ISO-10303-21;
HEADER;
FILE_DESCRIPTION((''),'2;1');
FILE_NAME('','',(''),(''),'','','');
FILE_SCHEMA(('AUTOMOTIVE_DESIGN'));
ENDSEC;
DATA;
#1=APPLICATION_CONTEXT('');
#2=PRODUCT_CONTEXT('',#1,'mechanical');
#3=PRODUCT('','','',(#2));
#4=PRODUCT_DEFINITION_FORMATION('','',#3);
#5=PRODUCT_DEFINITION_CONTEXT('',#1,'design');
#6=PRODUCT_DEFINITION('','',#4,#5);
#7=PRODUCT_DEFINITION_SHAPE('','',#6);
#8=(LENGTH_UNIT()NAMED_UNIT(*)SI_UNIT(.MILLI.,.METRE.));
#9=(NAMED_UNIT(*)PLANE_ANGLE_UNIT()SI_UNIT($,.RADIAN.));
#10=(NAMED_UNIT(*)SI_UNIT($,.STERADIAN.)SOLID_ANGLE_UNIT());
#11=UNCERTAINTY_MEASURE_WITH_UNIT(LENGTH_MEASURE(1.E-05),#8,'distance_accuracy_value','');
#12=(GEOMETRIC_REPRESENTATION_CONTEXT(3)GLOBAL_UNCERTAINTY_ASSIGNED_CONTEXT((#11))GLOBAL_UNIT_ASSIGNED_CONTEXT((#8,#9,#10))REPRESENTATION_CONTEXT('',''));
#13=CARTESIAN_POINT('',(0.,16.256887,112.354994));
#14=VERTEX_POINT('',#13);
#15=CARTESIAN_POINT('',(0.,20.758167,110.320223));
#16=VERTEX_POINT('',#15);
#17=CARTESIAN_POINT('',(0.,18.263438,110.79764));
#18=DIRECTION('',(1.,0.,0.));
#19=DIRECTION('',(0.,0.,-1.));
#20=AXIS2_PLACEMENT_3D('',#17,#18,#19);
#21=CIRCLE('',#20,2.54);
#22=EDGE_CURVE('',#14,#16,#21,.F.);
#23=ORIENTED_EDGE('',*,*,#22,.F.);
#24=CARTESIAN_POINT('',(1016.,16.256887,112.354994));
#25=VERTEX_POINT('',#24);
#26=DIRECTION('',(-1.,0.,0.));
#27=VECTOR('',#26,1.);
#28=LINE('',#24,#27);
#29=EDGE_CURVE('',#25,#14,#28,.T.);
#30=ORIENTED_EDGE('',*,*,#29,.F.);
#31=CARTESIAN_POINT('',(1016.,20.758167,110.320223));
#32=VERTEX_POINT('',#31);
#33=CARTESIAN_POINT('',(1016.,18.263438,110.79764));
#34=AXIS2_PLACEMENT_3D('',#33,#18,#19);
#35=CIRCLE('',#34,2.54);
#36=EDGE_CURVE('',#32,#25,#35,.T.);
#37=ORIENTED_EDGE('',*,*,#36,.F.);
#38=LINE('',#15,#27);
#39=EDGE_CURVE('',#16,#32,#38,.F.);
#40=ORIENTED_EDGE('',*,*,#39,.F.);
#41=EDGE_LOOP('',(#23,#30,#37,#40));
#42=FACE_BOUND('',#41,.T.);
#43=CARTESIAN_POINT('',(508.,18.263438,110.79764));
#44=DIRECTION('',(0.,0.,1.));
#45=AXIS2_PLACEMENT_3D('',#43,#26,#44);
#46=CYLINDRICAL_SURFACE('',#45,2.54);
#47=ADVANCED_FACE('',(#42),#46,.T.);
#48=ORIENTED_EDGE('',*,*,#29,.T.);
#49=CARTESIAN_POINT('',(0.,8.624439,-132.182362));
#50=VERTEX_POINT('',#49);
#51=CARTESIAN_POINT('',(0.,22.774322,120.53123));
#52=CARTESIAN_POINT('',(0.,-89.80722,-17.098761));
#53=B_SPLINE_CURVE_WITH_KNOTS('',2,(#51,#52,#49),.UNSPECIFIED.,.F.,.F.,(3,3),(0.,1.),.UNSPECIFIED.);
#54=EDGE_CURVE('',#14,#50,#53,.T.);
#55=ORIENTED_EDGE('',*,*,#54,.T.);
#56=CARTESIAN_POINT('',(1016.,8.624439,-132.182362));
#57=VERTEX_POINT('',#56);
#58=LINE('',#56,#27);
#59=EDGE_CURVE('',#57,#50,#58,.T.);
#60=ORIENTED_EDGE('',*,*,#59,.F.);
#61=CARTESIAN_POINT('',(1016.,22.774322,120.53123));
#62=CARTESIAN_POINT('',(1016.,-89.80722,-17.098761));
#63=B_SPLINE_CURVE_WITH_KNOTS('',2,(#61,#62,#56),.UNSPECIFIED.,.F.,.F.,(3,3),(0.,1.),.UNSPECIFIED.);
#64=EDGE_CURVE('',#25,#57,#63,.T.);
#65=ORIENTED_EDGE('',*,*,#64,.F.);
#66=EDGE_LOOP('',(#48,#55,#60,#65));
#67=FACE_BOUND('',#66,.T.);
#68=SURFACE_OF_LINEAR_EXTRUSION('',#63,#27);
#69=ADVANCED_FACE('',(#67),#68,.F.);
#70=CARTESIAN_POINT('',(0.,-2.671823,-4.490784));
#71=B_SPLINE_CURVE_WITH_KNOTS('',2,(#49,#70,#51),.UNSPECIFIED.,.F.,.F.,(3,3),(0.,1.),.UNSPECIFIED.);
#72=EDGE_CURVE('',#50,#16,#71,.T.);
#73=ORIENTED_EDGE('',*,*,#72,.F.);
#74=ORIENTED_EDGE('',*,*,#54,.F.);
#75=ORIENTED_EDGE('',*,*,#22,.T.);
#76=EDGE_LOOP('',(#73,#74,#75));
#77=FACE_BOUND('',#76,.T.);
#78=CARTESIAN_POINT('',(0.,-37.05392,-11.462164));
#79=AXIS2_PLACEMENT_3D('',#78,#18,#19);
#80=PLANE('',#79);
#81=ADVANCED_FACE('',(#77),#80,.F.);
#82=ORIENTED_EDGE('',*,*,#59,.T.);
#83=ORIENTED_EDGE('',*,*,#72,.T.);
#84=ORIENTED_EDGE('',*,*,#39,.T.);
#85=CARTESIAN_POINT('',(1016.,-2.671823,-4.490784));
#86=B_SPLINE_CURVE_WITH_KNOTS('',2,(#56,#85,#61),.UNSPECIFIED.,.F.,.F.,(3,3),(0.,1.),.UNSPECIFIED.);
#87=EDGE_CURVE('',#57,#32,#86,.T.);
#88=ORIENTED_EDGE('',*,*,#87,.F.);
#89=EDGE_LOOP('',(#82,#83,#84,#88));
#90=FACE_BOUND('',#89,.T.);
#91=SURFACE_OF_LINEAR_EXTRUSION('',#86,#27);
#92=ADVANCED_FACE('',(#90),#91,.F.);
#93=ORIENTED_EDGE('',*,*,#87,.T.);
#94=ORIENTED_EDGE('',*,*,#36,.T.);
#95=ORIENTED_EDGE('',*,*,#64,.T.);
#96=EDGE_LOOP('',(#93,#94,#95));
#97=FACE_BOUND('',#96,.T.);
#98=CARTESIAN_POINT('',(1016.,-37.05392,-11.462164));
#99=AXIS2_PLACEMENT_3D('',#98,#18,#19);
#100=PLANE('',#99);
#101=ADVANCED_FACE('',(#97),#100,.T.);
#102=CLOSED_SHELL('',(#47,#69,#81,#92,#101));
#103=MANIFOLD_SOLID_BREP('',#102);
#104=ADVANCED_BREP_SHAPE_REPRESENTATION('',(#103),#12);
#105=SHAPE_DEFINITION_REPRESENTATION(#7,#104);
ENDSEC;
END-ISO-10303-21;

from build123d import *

# Parameters (mm, degrees)
BOSS_EXTRUDE1_DEPTH = 1016
FILLET1_R           = 2.54


with BuildPart() as part:
    # Sketch1 → Boss-Extrude1 (new body)
    with BuildSketch(Plane(origin=(0, 0, 0), x_dir=(0, 0, -1), z_dir=(1, 0, 0))):
        with BuildLine():
            add(Edge.make_bspline(
                [(-120.531229907, 22.77432195), (4.490783964, -2.671822575), (132.182362196, 8.624439203)],
                knots=[0, 0, 0, 1, 1, 1], degree=2))
            add(Edge.make_bspline(
                [(132.182362196, 8.624439203), (17.098761409, -89.807220092), (-120.531229907, 22.77432195)],
                knots=[0, 0, 0, 1, 1, 1], degree=2))
        make_face()
    extrude(amount=BOSS_EXTRUDE1_DEPTH)

    # Fillet1
    fillet1_edges = [part.edges().sort_by_distance(p)[0] for p in [
        (508, 22.77432195, 120.531229907),
    ]]
    fillet(fillet1_edges, radius=FILLET1_R)


solid = part.part
